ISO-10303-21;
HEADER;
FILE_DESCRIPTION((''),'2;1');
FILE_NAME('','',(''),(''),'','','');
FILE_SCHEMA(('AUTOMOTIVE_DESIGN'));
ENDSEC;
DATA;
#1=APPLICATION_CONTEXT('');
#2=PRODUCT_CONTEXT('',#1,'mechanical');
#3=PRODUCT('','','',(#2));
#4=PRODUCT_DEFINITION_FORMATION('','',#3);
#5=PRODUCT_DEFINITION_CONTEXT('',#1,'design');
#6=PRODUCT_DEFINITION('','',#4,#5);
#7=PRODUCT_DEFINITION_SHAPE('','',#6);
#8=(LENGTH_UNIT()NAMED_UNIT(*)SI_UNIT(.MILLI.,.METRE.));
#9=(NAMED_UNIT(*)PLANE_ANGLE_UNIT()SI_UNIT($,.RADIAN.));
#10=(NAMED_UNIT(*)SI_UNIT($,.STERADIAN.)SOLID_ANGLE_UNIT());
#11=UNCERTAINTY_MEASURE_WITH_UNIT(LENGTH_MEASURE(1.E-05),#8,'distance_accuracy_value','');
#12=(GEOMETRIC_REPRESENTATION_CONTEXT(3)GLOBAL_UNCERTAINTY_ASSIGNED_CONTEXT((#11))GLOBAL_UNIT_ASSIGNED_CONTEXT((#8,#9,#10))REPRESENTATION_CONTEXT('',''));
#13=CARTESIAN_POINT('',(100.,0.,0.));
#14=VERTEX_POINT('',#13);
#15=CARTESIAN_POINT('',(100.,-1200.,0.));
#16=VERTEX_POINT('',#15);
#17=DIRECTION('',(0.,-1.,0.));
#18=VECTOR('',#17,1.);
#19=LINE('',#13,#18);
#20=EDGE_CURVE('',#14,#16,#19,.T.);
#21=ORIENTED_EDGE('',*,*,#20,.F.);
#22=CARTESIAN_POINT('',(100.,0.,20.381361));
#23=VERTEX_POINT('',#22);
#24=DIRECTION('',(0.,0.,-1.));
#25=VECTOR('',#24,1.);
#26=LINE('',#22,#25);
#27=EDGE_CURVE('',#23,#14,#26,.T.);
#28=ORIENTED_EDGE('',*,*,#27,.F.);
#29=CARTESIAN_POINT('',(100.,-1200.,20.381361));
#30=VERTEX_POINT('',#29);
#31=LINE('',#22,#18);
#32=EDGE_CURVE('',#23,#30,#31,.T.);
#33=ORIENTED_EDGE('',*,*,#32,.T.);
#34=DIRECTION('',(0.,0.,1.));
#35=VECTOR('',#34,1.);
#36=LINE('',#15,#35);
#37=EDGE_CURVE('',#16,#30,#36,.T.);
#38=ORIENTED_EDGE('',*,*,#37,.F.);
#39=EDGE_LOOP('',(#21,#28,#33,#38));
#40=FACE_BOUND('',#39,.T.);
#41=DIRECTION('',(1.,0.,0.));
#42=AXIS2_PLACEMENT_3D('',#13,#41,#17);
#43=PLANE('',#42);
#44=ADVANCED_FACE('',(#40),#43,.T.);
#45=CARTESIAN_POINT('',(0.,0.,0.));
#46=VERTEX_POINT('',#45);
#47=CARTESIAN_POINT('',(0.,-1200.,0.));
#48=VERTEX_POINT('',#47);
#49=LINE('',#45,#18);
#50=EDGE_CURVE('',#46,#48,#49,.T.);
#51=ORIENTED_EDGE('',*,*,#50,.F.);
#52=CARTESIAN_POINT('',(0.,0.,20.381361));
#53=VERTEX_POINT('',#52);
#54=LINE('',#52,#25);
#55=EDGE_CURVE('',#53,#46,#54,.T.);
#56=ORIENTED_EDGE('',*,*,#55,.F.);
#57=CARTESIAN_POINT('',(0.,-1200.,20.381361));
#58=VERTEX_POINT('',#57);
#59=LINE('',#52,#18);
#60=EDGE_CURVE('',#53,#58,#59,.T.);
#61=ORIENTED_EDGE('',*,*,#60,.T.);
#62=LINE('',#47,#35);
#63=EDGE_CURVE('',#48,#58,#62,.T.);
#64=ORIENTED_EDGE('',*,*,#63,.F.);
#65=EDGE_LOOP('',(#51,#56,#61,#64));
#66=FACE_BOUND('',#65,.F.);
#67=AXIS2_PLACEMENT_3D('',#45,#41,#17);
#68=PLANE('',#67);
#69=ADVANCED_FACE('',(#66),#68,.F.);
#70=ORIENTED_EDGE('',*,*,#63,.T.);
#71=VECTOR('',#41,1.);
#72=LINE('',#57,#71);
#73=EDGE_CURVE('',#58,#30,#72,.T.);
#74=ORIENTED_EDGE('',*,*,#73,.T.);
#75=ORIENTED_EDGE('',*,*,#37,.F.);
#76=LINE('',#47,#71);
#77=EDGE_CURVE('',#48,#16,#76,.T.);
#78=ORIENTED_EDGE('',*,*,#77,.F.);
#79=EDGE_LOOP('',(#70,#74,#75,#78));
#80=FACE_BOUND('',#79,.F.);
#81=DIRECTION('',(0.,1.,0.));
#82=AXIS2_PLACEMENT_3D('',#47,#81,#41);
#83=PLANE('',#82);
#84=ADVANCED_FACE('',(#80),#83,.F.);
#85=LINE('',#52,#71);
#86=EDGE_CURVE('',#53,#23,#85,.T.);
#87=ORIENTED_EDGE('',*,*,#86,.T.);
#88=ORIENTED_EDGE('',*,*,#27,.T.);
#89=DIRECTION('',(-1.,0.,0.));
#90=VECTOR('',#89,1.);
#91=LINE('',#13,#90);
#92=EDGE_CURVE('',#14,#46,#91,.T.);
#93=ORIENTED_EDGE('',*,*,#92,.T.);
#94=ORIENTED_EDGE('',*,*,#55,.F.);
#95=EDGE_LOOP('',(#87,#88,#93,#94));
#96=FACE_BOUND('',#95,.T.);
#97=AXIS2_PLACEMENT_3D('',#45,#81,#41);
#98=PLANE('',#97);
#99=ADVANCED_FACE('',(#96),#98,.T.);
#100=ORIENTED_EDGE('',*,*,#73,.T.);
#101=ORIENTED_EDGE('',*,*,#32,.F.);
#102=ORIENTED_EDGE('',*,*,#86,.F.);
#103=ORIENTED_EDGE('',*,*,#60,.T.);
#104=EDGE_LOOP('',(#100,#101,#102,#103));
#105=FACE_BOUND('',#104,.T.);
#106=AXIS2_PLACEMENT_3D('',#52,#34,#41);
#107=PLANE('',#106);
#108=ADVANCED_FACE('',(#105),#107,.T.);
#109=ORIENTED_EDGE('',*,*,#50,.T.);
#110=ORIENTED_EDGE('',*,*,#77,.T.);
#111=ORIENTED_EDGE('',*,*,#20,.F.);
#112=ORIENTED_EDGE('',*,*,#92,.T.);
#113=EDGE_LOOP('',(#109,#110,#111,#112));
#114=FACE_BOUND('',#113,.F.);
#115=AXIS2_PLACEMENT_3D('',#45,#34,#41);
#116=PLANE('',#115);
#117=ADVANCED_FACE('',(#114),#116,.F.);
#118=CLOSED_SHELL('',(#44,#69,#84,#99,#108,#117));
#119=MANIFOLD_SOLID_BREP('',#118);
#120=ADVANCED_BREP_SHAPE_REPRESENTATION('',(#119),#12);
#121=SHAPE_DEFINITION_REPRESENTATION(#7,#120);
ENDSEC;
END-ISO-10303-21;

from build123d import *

# Parameters (mm, degrees)
F0_W     = 45.1045036316
F0_H     = 20.3813612461
F1_DEPTH = 1200
F2_DEPTH = 20
F3_DEPTH = 100
F4_DEPTH = 200


with BuildPart() as f1:
    # F0 (on Front) → F1 (new body)
    with BuildSketch(Plane.XZ):
        with Locations((22.5522518158, 10.1906806231)):
            Rectangle(F0_W, F0_H)
    extrude(amount=F1_DEPTH)

    # F2 (add): a face of the model
    f2_faces = [f1.faces().sort_by_distance(p)[0] for p in [
        (22.5522518158, -600, 0),
    ]]
    extrude(f2_faces, amount=-F2_DEPTH)

    # F3 (add): a face of the model
    f3_faces = [f1.faces().sort_by_distance(p)[0] for p in [
        (0, -600, 10.1906806231),
    ]]
    extrude(f3_faces, amount=-F3_DEPTH)

    # F4 (intersect): a face of the model
    f4_faces = [f1.faces().sort_by_distance(p)[0] for p in [
        (50, -600, 0),
    ]]
    extrude(f4_faces, amount=-F4_DEPTH, mode=Mode.INTERSECT)


solid = f1.part
